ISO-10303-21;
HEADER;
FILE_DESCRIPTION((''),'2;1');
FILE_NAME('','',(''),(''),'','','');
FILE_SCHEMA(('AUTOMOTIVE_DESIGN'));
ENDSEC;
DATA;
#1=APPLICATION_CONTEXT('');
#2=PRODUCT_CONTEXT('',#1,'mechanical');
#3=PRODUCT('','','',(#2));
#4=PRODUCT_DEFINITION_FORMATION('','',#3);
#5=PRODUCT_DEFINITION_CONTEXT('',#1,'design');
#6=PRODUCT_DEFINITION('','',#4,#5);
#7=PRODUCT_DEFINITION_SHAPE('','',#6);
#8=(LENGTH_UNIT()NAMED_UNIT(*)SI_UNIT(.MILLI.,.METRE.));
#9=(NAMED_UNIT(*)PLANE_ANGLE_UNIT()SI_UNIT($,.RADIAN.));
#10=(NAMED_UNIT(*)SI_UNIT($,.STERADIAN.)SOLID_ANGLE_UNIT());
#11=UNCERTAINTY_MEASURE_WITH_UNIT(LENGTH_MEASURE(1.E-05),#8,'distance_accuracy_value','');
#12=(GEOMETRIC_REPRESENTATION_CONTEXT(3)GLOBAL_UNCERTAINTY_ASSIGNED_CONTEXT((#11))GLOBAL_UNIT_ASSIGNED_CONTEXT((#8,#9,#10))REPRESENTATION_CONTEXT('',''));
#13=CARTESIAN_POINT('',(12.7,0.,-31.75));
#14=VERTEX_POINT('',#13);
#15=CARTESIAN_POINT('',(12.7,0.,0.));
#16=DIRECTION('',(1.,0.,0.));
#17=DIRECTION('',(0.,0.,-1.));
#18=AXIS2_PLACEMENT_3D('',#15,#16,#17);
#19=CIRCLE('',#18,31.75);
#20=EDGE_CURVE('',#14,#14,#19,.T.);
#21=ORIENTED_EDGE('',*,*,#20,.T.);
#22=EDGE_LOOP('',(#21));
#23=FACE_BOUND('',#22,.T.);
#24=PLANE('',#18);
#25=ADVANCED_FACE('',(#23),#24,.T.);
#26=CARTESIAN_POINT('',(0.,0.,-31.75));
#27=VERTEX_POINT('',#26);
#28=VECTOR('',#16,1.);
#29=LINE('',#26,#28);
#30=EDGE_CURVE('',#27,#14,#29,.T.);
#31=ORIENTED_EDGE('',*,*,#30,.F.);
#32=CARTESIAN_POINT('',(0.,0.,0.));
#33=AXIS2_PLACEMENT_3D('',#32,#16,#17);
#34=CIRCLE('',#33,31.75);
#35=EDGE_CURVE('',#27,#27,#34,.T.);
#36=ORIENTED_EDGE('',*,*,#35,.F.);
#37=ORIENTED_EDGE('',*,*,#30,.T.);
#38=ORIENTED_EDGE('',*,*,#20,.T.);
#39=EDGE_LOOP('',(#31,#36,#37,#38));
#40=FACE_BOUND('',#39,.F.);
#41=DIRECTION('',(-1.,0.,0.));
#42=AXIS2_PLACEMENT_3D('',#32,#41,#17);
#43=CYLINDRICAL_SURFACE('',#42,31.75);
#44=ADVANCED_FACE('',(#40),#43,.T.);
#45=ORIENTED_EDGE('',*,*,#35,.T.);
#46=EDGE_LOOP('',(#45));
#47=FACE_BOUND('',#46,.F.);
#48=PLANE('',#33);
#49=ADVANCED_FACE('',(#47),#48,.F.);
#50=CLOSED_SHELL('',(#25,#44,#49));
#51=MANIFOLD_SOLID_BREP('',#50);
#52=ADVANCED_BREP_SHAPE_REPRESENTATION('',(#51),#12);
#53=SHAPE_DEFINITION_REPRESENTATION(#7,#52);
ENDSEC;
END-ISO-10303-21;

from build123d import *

# Parameters (mm, degrees)
SKETCH1_R           = 31.75
BOSS_EXTRUDE1_DEPTH = 12.7


with BuildPart() as part:
    # Sketch1 → Boss-Extrude1 (new body)
    with BuildSketch(Plane(origin=(0, 0, 0), x_dir=(0, 0, -1), z_dir=(1, 0, 0))):
        Circle(SKETCH1_R)
    extrude(amount=BOSS_EXTRUDE1_DEPTH)


solid = part.part
